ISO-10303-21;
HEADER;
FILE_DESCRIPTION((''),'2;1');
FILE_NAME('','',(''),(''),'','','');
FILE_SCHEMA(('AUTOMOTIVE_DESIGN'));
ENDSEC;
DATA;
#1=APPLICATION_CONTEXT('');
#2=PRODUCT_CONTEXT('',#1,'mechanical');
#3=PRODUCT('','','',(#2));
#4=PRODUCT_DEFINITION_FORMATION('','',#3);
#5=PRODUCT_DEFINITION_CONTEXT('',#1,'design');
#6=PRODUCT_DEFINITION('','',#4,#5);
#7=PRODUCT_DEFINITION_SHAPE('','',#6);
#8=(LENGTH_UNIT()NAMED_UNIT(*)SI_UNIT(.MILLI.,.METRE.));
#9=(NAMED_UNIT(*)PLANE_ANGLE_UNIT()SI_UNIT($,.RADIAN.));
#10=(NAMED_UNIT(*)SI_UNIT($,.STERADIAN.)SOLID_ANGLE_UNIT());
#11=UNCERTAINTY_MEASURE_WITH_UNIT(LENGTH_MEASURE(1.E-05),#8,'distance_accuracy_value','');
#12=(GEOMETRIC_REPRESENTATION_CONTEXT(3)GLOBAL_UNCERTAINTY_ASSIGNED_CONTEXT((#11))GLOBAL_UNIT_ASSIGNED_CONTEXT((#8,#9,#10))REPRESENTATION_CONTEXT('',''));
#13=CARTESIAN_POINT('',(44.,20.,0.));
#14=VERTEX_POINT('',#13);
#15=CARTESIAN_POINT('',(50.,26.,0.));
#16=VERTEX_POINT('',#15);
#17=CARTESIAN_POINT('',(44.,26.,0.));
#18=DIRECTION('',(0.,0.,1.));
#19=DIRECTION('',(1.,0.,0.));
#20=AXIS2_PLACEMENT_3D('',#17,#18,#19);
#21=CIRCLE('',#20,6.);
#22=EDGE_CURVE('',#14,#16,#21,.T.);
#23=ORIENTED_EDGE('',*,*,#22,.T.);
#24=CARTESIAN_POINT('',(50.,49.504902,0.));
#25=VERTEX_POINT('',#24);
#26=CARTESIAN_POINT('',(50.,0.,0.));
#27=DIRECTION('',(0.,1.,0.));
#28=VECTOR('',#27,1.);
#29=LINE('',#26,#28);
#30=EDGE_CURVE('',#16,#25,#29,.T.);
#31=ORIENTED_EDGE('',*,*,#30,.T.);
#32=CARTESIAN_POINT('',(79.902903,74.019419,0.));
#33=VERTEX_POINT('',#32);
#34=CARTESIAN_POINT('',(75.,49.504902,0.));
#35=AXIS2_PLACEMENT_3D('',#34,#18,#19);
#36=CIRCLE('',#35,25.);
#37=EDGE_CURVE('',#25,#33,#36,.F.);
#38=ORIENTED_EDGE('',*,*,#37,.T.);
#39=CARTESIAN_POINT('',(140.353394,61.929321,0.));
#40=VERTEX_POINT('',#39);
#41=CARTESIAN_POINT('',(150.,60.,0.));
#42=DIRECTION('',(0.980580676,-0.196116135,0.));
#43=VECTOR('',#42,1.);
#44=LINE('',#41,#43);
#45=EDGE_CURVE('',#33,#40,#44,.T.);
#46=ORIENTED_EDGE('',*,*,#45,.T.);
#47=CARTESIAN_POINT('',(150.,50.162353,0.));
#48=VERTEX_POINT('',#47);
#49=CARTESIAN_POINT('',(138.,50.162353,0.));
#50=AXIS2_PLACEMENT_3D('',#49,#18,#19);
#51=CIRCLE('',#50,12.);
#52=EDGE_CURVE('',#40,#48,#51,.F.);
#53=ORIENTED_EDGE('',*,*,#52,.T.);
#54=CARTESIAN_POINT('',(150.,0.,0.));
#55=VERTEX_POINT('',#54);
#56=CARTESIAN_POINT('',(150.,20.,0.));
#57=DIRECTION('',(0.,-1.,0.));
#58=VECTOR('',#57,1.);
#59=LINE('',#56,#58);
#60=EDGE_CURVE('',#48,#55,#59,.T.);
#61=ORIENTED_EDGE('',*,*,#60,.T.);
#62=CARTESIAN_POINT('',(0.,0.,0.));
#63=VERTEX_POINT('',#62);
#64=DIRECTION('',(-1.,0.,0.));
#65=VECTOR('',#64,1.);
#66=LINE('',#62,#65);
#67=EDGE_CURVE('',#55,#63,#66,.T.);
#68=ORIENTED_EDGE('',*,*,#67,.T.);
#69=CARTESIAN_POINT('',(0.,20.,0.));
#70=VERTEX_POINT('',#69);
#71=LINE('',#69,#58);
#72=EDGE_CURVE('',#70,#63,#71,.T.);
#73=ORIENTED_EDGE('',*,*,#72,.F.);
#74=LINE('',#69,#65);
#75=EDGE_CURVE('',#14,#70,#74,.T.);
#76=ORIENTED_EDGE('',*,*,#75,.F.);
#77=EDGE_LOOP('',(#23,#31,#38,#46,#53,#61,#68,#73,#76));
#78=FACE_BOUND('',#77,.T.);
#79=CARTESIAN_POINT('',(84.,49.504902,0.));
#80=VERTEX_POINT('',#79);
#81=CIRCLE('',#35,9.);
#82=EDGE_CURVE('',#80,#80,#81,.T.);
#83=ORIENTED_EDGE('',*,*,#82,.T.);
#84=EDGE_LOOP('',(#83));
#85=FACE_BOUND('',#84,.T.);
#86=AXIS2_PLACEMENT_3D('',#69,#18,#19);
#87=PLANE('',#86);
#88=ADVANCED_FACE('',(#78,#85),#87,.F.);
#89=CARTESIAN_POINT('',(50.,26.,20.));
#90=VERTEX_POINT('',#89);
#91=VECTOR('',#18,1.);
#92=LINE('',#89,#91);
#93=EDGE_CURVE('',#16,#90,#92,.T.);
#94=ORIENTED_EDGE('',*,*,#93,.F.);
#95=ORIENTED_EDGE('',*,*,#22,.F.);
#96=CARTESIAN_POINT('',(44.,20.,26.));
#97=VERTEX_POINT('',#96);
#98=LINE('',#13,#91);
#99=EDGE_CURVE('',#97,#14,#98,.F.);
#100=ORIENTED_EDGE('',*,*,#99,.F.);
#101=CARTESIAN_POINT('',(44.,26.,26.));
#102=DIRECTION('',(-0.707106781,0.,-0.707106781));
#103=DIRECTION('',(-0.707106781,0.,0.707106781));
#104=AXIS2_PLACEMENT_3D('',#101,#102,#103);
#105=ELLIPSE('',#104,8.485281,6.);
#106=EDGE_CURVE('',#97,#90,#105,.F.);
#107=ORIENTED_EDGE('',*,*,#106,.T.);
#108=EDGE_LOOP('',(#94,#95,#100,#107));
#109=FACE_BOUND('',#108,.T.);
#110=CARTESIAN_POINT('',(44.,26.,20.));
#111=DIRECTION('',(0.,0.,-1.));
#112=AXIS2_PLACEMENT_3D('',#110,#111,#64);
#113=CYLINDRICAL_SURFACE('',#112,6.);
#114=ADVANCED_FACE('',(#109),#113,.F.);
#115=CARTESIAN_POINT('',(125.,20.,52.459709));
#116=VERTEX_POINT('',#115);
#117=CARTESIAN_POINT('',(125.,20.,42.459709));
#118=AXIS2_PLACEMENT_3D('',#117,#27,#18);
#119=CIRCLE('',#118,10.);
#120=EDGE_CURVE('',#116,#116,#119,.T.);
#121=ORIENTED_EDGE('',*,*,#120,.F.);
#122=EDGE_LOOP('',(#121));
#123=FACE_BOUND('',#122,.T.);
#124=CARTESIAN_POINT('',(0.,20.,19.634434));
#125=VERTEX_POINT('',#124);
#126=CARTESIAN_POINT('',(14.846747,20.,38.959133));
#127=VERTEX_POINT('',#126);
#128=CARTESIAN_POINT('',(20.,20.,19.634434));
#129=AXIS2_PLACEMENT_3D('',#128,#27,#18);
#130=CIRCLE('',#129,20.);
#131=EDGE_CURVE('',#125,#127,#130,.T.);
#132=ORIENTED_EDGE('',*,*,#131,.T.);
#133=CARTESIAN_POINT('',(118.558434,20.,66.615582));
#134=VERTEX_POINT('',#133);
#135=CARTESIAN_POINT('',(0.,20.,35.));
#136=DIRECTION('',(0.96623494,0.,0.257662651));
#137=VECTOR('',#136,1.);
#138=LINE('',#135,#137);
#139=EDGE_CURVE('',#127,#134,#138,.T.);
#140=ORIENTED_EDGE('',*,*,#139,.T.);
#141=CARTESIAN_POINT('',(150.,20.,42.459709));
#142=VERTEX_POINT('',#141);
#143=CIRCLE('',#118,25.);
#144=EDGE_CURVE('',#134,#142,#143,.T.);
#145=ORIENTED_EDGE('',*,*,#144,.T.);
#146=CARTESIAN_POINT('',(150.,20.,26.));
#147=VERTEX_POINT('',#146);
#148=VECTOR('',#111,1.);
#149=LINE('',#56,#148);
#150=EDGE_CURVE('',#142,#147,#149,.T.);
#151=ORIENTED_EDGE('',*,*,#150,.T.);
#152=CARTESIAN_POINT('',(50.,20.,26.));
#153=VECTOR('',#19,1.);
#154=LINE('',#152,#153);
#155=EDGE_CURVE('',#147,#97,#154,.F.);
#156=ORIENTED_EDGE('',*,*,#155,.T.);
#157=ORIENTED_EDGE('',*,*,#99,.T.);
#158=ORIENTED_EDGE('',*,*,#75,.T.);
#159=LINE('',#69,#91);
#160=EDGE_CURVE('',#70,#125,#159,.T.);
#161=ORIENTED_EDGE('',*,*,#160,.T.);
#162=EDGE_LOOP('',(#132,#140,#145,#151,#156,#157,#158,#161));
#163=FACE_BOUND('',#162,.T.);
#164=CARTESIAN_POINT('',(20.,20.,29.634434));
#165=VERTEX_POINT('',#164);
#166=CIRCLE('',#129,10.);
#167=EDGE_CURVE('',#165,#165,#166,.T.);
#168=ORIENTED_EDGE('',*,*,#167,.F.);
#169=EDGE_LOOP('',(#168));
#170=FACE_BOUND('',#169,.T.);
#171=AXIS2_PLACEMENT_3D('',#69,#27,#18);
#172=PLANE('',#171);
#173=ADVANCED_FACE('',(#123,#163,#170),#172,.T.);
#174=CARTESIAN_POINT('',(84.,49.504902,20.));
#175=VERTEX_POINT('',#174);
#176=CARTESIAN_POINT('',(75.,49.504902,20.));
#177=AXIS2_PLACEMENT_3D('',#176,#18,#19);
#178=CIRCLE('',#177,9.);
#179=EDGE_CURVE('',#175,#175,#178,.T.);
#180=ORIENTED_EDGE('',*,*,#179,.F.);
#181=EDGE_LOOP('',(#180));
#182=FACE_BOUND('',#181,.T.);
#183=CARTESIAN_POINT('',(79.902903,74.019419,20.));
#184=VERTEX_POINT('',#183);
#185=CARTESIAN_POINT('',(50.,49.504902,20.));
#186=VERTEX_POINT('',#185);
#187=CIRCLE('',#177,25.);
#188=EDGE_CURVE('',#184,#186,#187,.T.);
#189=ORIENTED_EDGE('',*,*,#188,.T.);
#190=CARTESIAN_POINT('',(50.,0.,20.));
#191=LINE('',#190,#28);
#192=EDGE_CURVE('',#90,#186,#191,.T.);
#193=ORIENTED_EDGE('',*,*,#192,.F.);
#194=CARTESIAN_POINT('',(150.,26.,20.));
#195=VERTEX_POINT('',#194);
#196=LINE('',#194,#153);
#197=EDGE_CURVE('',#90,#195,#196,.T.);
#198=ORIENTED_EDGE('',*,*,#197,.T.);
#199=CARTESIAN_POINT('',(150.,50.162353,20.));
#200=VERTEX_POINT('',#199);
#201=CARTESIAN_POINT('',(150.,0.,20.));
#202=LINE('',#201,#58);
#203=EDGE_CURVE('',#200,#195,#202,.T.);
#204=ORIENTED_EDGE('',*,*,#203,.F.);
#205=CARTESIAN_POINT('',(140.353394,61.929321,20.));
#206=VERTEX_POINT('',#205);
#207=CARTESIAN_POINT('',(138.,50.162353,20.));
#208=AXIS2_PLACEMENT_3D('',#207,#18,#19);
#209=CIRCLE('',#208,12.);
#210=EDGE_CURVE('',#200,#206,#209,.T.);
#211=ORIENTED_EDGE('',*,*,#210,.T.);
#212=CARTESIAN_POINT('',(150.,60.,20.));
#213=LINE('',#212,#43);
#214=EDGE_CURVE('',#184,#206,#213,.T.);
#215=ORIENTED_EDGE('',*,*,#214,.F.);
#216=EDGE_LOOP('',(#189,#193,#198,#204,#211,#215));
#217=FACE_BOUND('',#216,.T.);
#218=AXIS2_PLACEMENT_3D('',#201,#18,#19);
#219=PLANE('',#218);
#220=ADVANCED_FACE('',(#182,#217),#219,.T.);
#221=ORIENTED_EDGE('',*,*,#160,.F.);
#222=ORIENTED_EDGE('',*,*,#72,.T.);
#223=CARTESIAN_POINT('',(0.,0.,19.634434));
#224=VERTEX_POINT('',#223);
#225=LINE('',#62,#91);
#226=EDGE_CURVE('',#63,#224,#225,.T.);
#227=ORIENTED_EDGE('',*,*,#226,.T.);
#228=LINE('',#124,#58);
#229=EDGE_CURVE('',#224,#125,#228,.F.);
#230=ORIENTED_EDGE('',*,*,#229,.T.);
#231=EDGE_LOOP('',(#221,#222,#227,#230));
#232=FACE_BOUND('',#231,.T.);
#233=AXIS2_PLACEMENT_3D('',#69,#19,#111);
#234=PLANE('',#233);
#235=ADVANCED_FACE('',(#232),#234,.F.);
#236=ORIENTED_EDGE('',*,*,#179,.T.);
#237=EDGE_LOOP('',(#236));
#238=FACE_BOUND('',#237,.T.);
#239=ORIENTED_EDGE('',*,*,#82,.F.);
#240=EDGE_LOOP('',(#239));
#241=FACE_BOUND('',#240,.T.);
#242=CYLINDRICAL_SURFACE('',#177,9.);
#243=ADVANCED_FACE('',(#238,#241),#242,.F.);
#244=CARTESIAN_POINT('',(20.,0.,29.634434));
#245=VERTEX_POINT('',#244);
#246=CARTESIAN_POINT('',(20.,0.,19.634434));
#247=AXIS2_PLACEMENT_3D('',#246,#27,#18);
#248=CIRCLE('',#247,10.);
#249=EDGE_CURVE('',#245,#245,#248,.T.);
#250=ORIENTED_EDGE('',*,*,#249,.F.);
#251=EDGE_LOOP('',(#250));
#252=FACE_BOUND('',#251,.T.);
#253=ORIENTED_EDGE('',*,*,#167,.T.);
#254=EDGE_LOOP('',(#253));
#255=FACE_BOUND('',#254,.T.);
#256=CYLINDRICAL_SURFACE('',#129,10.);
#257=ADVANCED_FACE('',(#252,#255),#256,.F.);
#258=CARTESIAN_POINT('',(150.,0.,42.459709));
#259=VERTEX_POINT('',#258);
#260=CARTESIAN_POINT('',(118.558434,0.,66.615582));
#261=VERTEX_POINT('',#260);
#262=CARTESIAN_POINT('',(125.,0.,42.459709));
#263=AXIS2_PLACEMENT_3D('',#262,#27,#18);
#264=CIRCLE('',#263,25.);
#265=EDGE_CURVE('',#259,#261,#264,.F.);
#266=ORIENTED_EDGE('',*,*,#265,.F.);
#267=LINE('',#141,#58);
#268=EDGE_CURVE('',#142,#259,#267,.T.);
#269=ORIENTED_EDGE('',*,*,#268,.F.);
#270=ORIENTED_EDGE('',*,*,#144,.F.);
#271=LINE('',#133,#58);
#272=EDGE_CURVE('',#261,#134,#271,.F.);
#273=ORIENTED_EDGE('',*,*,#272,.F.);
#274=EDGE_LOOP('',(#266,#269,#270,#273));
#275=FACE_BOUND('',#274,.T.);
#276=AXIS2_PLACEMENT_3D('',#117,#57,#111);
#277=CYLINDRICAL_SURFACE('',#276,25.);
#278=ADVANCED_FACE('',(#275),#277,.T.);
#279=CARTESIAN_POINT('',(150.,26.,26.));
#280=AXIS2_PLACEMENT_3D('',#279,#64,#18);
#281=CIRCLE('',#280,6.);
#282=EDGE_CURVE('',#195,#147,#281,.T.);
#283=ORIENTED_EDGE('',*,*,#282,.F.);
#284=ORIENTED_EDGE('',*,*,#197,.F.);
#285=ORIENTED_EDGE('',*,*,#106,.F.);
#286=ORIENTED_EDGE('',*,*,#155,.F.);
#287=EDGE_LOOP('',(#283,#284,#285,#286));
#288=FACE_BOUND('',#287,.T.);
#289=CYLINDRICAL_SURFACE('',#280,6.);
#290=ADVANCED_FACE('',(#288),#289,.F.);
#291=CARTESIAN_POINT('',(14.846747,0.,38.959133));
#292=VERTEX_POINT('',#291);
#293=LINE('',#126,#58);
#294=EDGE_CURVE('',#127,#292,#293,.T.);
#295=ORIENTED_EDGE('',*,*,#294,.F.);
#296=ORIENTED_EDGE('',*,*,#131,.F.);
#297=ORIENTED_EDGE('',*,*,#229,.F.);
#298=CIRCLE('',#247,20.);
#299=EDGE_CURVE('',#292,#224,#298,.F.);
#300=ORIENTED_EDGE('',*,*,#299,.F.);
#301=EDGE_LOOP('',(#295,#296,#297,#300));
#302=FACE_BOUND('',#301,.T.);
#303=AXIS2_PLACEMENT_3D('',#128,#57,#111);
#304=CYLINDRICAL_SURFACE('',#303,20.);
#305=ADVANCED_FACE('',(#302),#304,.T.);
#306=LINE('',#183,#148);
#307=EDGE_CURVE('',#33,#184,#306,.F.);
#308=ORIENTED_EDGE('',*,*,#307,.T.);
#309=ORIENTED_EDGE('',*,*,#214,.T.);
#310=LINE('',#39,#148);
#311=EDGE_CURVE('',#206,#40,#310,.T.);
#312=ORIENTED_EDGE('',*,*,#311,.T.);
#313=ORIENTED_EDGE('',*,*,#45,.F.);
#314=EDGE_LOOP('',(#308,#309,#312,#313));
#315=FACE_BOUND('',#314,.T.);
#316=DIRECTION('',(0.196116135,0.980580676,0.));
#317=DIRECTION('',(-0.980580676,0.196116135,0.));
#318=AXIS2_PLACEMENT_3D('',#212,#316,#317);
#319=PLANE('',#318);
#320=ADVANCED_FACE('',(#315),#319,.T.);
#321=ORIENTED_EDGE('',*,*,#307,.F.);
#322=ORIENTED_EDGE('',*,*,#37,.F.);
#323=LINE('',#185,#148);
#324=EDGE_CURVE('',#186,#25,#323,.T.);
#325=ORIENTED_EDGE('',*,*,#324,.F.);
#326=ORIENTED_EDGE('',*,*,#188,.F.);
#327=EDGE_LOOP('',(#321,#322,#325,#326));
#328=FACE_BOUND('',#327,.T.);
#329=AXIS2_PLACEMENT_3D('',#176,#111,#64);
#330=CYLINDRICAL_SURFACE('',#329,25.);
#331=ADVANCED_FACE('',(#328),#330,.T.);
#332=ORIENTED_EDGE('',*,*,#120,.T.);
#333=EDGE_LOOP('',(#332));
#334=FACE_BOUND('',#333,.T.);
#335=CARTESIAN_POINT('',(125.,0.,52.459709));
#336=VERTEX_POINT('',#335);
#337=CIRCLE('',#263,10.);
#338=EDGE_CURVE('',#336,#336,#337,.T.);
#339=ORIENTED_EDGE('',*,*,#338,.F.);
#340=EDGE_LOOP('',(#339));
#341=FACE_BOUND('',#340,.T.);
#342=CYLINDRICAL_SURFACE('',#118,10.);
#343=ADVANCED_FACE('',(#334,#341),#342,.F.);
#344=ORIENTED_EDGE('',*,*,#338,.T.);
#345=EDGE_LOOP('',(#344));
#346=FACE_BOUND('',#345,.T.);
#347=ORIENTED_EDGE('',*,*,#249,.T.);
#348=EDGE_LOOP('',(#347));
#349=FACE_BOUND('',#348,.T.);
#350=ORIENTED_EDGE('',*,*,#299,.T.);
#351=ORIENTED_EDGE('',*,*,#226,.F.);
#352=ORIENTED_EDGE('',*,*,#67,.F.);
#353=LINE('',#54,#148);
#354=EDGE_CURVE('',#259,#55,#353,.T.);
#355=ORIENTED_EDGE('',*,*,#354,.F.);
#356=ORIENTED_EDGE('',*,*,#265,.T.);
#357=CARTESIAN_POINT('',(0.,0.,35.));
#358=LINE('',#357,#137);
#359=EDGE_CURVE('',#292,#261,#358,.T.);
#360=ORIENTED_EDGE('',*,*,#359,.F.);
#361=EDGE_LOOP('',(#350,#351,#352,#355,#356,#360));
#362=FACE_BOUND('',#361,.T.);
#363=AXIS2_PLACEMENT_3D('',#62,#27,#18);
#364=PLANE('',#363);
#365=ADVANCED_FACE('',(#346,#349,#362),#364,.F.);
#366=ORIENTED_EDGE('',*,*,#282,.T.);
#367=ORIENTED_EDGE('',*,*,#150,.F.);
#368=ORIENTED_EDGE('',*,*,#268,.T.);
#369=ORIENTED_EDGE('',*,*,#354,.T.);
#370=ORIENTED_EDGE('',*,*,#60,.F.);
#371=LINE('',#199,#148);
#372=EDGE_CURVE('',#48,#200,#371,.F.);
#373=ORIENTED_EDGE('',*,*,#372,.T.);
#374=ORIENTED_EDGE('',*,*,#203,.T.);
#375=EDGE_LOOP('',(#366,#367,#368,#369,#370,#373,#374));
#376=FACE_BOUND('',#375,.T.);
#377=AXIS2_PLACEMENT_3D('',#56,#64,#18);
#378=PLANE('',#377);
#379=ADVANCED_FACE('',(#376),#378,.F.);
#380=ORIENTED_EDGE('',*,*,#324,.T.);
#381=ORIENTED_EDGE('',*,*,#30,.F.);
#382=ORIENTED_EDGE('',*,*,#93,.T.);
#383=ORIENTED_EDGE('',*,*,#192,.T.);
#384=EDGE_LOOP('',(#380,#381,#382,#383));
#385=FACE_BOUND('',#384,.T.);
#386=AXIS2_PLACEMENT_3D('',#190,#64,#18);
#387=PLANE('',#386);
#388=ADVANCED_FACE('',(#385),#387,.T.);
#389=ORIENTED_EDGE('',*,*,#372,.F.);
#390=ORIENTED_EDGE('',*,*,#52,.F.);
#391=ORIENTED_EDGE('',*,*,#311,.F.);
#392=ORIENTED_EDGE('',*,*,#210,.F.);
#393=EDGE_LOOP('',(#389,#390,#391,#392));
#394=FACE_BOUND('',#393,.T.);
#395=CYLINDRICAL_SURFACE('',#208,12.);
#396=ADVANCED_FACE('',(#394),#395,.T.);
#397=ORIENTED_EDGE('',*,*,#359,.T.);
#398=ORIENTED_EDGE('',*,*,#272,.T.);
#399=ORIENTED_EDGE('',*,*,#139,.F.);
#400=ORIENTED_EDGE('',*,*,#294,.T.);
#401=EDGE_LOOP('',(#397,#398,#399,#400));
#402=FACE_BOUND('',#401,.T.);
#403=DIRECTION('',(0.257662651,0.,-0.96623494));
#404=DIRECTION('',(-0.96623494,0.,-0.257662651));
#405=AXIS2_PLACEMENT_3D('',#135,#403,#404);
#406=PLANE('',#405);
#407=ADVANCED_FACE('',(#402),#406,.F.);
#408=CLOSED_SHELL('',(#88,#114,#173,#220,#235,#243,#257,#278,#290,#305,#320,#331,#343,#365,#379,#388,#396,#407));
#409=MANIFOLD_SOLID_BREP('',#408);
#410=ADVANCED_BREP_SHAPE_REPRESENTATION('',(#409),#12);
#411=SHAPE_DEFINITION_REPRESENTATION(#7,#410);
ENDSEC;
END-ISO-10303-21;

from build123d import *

# Parameters (mm, degrees)
EXTRUDE1_DEPTH            = 20
EXTRUDE2_DEPTH            = 20
FILLET1_R                 = 25
FILLET2_R                 = 20
FILLET3_R                 = 12
FILLET4_R                 = 6
M20_0_20_DIAMETER_HOLE1_D = 20
M18_0_18_DIAMETER_HOLE1_D = 18


with BuildPart() as part:
    # Sketch1 → Extrude1 (new body)
    with BuildSketch(Plane(origin=(0, 0, 0), x_dir=(1, 0, 0), z_dir=(0, 1, 0))):
        Polygon((0, 0), (150, 0), (150, -75), (0, -35), align=None)
    extrude(amount=EXTRUDE1_DEPTH)

    # Sketch2 → Extrude2 (add)
    with BuildSketch(Plane(origin=(0, 0, 0), x_dir=(-1, 0, 0), z_dir=(0, 0, -1))):
        Polygon((-150, 0), (-50, 0), (-50, 80), (-150, 60), align=None)
    extrude(amount=-EXTRUDE2_DEPTH)

    # Fillet1
    fillet1_edges = [part.edges().sort_by_distance(p)[0] for p in [
        (50, 80, 10),
        (150, 10, 75),
    ]]
    fillet(fillet1_edges, radius=FILLET1_R)

    # Fillet2
    fillet2_edges = [part.edges().sort_by_distance(p)[0] for p in [
        (0, 10, 35),
    ]]
    fillet(fillet2_edges, radius=FILLET2_R)

    # Fillet3
    fillet3_edges = [part.edges().sort_by_distance(p)[0] for p in [
        (150, 60, 10),
    ]]
    fillet(fillet3_edges, radius=FILLET3_R)

    # Fillet4
    fillet4_edges = [part.edges().sort_by_distance(p)[0] for p in [
        (50, 20, 10),
        (100, 20, 20),
    ]]
    fillet(fillet4_edges, radius=FILLET4_R)

    # M20.0 (20) Diameter Hole1 (through all)
    with Locations(Plane(origin=(0, 20, 0), x_dir=(-1, 0, 0), z_dir=(0, 1, 0))):
        with Locations((-125, 42.45970884), (-20, 19.634433738)):
            Hole(M20_0_20_DIAMETER_HOLE1_D / 2)

    # M18.0 (18) Diameter Hole1 (through all)
    with Locations(Plane(origin=(130.879919851, 20.264222767, 20), x_dir=(1, 0, 0), z_dir=(0, 0, 1))):
        with Locations((-55.879919851, 29.240679665)):
            Hole(M18_0_18_DIAMETER_HOLE1_D / 2)


solid = part.part
